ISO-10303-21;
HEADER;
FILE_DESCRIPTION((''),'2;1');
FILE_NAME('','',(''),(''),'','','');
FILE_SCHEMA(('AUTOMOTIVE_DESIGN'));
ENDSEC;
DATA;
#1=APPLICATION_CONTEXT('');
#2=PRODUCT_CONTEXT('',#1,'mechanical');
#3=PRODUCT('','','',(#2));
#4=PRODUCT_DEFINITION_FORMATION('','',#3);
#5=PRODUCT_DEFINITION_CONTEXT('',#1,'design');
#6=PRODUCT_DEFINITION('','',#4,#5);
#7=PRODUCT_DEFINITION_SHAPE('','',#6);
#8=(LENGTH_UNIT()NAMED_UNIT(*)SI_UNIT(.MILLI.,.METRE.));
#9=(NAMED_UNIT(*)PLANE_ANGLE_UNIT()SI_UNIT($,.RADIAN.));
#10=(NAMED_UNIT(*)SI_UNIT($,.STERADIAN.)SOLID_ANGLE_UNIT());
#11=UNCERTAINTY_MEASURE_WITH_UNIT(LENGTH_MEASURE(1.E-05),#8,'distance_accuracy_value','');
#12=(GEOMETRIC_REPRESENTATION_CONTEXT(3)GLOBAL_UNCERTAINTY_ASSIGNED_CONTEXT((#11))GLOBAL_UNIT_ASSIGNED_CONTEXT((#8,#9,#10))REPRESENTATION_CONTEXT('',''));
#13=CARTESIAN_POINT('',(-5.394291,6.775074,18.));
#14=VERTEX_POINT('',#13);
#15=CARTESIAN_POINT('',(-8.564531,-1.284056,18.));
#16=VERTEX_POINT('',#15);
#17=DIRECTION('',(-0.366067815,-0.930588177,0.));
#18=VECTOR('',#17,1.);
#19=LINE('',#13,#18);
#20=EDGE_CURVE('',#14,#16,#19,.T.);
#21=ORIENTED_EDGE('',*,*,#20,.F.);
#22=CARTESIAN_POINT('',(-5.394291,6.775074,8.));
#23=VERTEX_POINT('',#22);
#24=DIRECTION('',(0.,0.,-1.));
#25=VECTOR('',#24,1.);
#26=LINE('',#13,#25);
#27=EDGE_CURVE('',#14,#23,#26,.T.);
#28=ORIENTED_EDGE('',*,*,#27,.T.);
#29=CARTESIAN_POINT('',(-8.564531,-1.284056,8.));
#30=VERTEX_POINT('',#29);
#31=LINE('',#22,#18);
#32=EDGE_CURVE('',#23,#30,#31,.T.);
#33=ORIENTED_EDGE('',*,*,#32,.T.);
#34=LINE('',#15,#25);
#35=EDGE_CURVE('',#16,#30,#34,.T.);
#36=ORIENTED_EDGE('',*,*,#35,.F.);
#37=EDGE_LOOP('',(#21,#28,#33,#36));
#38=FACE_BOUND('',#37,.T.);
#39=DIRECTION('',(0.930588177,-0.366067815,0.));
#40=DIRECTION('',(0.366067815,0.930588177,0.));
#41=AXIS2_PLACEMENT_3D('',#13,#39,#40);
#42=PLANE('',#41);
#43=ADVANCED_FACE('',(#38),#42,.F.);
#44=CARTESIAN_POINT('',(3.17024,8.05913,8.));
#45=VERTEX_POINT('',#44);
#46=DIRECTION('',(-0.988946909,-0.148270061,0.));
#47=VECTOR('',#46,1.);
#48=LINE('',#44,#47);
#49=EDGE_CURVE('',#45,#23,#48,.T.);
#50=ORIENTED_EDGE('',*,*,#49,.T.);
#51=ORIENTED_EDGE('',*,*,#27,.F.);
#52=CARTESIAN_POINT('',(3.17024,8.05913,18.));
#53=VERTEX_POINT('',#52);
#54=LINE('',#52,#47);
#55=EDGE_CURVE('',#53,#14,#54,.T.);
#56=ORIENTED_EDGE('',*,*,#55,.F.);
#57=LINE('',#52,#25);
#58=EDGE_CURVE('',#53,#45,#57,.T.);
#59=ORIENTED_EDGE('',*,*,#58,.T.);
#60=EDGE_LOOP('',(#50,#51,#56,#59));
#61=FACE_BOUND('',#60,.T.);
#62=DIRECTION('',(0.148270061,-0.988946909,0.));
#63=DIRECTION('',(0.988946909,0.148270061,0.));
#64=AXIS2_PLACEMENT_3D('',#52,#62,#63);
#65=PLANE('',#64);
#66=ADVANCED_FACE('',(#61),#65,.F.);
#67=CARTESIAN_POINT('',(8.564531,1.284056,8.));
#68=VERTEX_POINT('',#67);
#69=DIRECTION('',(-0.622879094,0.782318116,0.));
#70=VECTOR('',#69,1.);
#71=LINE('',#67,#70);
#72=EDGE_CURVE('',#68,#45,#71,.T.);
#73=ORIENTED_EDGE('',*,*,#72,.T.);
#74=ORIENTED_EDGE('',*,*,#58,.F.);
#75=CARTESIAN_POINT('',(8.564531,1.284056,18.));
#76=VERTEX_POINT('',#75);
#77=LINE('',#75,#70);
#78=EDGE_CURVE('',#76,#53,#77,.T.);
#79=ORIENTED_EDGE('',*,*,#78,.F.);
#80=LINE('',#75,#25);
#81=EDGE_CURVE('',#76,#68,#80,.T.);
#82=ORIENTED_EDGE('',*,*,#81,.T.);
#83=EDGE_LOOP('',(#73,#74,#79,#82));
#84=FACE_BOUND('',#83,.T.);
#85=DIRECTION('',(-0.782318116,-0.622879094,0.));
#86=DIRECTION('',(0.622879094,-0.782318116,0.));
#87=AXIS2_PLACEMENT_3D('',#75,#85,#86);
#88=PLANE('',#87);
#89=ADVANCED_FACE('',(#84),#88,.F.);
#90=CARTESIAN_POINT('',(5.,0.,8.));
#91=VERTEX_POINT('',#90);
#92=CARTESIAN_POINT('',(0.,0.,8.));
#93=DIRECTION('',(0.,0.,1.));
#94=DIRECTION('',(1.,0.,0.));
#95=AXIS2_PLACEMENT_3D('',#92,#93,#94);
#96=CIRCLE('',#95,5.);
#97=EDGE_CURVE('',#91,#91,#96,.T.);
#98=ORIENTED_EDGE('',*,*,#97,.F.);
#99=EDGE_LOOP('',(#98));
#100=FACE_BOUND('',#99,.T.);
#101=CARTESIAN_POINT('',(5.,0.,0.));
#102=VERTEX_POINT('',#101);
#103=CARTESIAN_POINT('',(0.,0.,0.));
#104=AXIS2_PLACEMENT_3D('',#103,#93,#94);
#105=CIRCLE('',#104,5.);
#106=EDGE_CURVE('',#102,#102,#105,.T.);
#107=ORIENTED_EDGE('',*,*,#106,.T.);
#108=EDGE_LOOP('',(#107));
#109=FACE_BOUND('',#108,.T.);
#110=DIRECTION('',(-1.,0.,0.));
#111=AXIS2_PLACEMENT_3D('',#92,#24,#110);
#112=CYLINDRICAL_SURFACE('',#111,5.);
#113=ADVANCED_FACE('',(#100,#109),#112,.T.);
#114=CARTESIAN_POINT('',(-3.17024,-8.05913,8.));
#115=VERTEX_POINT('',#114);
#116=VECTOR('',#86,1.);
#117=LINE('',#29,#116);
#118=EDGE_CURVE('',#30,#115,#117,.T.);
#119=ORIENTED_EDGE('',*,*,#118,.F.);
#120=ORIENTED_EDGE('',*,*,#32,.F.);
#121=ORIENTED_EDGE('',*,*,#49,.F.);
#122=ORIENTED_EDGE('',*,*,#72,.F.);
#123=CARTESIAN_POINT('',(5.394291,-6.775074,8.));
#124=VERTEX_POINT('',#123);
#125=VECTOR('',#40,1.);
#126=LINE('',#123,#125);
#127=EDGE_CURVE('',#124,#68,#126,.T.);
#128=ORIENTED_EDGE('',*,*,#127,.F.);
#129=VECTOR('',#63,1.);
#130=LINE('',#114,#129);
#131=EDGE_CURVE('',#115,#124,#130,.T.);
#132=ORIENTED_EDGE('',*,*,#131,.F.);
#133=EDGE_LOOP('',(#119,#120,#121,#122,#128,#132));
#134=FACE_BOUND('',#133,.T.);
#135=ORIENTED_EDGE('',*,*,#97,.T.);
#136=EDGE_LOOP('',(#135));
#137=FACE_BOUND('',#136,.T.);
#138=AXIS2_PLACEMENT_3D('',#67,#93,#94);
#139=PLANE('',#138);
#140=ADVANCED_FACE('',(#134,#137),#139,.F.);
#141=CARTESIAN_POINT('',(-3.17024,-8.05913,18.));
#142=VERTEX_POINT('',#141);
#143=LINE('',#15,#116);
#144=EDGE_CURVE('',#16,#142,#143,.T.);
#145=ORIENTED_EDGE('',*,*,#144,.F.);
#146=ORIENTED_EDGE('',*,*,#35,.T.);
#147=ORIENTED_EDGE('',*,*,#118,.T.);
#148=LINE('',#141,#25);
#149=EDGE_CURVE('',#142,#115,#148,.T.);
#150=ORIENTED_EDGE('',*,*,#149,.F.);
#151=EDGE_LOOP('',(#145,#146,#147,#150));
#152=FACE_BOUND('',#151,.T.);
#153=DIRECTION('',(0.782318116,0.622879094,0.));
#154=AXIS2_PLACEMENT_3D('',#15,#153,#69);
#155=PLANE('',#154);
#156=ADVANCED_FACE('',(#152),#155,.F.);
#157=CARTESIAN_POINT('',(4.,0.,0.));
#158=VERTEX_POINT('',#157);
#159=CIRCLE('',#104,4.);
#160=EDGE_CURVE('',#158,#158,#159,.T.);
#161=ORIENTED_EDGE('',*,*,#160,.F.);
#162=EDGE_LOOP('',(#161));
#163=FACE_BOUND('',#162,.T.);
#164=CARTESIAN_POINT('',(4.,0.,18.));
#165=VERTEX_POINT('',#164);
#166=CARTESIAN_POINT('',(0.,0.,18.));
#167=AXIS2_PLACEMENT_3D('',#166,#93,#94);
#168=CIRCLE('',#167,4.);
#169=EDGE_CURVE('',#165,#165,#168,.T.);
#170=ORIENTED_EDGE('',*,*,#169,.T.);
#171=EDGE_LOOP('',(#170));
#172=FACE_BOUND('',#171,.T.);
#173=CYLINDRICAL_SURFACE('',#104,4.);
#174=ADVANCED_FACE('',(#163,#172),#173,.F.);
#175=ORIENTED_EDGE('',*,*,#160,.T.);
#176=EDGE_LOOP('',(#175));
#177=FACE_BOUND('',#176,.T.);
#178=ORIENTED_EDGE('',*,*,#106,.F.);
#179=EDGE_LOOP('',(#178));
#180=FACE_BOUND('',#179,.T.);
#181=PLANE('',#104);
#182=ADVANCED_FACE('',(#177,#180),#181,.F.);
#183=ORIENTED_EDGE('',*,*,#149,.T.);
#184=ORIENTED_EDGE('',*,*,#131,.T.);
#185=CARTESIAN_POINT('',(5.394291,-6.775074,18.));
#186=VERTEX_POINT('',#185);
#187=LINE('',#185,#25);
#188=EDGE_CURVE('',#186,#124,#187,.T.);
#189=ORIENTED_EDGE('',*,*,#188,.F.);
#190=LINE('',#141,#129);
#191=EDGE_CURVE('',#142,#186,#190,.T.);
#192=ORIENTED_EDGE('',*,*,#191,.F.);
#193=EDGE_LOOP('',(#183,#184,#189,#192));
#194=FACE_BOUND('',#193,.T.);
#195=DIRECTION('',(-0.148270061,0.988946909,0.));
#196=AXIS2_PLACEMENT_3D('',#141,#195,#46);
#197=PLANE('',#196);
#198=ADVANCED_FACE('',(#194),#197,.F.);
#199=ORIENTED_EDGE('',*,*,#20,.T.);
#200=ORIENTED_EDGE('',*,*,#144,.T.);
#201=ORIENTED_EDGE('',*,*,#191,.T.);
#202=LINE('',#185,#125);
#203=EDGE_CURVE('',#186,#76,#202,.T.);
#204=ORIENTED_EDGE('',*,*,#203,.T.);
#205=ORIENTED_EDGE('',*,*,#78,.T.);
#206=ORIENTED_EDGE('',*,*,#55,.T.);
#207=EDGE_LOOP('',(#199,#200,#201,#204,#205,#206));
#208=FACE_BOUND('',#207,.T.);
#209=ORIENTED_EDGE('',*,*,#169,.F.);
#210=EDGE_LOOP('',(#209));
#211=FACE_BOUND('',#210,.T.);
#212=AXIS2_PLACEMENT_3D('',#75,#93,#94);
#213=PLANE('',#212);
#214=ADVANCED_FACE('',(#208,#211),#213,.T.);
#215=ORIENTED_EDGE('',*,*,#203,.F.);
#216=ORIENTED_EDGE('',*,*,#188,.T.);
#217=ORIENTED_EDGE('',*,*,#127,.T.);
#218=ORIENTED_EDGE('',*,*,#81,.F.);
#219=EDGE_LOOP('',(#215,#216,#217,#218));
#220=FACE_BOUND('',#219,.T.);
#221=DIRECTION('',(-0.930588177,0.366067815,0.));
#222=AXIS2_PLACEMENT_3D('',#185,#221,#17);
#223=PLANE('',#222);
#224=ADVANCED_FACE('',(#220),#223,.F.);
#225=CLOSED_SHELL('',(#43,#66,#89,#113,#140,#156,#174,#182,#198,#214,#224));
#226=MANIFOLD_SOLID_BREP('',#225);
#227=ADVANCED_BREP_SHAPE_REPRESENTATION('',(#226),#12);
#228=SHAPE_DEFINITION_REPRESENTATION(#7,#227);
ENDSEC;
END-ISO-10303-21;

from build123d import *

# Parameters (mm, degrees)
SKETCH_1_R          = 5
EXTRUDE_1_DEPTH     = 8
EXTRUDE_2_DEPTH     = 10
SKETCH_3_R          = 4
CUT_EXTRUDE_3_DEPTH = 22.501180799


with BuildPart() as part:
    # 草图1 → 拉伸1 (new body)
    with BuildSketch(Plane.XY):
        Circle(SKETCH_1_R)
    extrude(amount=EXTRUDE_1_DEPTH)

    # 草图2 → 拉伸2 (add)
    with BuildSketch(Plane.XY.offset(8)):
        Polygon((8.564531463, 1.284056391), (3.170240277, 8.059130014), (-5.394291186, 6.775073623), (-8.564531463, -1.284056391), (-3.170240277, -8.059130014), (5.394291186, -6.775073623), align=None)
    extrude(amount=EXTRUDE_2_DEPTH)

    # 草图3 → 拉伸3 (cut, through all)
    with BuildSketch(Plane.XY.offset(18)):
        Circle(SKETCH_3_R)
    extrude(amount=-CUT_EXTRUDE_3_DEPTH, mode=Mode.SUBTRACT)


solid = part.part
